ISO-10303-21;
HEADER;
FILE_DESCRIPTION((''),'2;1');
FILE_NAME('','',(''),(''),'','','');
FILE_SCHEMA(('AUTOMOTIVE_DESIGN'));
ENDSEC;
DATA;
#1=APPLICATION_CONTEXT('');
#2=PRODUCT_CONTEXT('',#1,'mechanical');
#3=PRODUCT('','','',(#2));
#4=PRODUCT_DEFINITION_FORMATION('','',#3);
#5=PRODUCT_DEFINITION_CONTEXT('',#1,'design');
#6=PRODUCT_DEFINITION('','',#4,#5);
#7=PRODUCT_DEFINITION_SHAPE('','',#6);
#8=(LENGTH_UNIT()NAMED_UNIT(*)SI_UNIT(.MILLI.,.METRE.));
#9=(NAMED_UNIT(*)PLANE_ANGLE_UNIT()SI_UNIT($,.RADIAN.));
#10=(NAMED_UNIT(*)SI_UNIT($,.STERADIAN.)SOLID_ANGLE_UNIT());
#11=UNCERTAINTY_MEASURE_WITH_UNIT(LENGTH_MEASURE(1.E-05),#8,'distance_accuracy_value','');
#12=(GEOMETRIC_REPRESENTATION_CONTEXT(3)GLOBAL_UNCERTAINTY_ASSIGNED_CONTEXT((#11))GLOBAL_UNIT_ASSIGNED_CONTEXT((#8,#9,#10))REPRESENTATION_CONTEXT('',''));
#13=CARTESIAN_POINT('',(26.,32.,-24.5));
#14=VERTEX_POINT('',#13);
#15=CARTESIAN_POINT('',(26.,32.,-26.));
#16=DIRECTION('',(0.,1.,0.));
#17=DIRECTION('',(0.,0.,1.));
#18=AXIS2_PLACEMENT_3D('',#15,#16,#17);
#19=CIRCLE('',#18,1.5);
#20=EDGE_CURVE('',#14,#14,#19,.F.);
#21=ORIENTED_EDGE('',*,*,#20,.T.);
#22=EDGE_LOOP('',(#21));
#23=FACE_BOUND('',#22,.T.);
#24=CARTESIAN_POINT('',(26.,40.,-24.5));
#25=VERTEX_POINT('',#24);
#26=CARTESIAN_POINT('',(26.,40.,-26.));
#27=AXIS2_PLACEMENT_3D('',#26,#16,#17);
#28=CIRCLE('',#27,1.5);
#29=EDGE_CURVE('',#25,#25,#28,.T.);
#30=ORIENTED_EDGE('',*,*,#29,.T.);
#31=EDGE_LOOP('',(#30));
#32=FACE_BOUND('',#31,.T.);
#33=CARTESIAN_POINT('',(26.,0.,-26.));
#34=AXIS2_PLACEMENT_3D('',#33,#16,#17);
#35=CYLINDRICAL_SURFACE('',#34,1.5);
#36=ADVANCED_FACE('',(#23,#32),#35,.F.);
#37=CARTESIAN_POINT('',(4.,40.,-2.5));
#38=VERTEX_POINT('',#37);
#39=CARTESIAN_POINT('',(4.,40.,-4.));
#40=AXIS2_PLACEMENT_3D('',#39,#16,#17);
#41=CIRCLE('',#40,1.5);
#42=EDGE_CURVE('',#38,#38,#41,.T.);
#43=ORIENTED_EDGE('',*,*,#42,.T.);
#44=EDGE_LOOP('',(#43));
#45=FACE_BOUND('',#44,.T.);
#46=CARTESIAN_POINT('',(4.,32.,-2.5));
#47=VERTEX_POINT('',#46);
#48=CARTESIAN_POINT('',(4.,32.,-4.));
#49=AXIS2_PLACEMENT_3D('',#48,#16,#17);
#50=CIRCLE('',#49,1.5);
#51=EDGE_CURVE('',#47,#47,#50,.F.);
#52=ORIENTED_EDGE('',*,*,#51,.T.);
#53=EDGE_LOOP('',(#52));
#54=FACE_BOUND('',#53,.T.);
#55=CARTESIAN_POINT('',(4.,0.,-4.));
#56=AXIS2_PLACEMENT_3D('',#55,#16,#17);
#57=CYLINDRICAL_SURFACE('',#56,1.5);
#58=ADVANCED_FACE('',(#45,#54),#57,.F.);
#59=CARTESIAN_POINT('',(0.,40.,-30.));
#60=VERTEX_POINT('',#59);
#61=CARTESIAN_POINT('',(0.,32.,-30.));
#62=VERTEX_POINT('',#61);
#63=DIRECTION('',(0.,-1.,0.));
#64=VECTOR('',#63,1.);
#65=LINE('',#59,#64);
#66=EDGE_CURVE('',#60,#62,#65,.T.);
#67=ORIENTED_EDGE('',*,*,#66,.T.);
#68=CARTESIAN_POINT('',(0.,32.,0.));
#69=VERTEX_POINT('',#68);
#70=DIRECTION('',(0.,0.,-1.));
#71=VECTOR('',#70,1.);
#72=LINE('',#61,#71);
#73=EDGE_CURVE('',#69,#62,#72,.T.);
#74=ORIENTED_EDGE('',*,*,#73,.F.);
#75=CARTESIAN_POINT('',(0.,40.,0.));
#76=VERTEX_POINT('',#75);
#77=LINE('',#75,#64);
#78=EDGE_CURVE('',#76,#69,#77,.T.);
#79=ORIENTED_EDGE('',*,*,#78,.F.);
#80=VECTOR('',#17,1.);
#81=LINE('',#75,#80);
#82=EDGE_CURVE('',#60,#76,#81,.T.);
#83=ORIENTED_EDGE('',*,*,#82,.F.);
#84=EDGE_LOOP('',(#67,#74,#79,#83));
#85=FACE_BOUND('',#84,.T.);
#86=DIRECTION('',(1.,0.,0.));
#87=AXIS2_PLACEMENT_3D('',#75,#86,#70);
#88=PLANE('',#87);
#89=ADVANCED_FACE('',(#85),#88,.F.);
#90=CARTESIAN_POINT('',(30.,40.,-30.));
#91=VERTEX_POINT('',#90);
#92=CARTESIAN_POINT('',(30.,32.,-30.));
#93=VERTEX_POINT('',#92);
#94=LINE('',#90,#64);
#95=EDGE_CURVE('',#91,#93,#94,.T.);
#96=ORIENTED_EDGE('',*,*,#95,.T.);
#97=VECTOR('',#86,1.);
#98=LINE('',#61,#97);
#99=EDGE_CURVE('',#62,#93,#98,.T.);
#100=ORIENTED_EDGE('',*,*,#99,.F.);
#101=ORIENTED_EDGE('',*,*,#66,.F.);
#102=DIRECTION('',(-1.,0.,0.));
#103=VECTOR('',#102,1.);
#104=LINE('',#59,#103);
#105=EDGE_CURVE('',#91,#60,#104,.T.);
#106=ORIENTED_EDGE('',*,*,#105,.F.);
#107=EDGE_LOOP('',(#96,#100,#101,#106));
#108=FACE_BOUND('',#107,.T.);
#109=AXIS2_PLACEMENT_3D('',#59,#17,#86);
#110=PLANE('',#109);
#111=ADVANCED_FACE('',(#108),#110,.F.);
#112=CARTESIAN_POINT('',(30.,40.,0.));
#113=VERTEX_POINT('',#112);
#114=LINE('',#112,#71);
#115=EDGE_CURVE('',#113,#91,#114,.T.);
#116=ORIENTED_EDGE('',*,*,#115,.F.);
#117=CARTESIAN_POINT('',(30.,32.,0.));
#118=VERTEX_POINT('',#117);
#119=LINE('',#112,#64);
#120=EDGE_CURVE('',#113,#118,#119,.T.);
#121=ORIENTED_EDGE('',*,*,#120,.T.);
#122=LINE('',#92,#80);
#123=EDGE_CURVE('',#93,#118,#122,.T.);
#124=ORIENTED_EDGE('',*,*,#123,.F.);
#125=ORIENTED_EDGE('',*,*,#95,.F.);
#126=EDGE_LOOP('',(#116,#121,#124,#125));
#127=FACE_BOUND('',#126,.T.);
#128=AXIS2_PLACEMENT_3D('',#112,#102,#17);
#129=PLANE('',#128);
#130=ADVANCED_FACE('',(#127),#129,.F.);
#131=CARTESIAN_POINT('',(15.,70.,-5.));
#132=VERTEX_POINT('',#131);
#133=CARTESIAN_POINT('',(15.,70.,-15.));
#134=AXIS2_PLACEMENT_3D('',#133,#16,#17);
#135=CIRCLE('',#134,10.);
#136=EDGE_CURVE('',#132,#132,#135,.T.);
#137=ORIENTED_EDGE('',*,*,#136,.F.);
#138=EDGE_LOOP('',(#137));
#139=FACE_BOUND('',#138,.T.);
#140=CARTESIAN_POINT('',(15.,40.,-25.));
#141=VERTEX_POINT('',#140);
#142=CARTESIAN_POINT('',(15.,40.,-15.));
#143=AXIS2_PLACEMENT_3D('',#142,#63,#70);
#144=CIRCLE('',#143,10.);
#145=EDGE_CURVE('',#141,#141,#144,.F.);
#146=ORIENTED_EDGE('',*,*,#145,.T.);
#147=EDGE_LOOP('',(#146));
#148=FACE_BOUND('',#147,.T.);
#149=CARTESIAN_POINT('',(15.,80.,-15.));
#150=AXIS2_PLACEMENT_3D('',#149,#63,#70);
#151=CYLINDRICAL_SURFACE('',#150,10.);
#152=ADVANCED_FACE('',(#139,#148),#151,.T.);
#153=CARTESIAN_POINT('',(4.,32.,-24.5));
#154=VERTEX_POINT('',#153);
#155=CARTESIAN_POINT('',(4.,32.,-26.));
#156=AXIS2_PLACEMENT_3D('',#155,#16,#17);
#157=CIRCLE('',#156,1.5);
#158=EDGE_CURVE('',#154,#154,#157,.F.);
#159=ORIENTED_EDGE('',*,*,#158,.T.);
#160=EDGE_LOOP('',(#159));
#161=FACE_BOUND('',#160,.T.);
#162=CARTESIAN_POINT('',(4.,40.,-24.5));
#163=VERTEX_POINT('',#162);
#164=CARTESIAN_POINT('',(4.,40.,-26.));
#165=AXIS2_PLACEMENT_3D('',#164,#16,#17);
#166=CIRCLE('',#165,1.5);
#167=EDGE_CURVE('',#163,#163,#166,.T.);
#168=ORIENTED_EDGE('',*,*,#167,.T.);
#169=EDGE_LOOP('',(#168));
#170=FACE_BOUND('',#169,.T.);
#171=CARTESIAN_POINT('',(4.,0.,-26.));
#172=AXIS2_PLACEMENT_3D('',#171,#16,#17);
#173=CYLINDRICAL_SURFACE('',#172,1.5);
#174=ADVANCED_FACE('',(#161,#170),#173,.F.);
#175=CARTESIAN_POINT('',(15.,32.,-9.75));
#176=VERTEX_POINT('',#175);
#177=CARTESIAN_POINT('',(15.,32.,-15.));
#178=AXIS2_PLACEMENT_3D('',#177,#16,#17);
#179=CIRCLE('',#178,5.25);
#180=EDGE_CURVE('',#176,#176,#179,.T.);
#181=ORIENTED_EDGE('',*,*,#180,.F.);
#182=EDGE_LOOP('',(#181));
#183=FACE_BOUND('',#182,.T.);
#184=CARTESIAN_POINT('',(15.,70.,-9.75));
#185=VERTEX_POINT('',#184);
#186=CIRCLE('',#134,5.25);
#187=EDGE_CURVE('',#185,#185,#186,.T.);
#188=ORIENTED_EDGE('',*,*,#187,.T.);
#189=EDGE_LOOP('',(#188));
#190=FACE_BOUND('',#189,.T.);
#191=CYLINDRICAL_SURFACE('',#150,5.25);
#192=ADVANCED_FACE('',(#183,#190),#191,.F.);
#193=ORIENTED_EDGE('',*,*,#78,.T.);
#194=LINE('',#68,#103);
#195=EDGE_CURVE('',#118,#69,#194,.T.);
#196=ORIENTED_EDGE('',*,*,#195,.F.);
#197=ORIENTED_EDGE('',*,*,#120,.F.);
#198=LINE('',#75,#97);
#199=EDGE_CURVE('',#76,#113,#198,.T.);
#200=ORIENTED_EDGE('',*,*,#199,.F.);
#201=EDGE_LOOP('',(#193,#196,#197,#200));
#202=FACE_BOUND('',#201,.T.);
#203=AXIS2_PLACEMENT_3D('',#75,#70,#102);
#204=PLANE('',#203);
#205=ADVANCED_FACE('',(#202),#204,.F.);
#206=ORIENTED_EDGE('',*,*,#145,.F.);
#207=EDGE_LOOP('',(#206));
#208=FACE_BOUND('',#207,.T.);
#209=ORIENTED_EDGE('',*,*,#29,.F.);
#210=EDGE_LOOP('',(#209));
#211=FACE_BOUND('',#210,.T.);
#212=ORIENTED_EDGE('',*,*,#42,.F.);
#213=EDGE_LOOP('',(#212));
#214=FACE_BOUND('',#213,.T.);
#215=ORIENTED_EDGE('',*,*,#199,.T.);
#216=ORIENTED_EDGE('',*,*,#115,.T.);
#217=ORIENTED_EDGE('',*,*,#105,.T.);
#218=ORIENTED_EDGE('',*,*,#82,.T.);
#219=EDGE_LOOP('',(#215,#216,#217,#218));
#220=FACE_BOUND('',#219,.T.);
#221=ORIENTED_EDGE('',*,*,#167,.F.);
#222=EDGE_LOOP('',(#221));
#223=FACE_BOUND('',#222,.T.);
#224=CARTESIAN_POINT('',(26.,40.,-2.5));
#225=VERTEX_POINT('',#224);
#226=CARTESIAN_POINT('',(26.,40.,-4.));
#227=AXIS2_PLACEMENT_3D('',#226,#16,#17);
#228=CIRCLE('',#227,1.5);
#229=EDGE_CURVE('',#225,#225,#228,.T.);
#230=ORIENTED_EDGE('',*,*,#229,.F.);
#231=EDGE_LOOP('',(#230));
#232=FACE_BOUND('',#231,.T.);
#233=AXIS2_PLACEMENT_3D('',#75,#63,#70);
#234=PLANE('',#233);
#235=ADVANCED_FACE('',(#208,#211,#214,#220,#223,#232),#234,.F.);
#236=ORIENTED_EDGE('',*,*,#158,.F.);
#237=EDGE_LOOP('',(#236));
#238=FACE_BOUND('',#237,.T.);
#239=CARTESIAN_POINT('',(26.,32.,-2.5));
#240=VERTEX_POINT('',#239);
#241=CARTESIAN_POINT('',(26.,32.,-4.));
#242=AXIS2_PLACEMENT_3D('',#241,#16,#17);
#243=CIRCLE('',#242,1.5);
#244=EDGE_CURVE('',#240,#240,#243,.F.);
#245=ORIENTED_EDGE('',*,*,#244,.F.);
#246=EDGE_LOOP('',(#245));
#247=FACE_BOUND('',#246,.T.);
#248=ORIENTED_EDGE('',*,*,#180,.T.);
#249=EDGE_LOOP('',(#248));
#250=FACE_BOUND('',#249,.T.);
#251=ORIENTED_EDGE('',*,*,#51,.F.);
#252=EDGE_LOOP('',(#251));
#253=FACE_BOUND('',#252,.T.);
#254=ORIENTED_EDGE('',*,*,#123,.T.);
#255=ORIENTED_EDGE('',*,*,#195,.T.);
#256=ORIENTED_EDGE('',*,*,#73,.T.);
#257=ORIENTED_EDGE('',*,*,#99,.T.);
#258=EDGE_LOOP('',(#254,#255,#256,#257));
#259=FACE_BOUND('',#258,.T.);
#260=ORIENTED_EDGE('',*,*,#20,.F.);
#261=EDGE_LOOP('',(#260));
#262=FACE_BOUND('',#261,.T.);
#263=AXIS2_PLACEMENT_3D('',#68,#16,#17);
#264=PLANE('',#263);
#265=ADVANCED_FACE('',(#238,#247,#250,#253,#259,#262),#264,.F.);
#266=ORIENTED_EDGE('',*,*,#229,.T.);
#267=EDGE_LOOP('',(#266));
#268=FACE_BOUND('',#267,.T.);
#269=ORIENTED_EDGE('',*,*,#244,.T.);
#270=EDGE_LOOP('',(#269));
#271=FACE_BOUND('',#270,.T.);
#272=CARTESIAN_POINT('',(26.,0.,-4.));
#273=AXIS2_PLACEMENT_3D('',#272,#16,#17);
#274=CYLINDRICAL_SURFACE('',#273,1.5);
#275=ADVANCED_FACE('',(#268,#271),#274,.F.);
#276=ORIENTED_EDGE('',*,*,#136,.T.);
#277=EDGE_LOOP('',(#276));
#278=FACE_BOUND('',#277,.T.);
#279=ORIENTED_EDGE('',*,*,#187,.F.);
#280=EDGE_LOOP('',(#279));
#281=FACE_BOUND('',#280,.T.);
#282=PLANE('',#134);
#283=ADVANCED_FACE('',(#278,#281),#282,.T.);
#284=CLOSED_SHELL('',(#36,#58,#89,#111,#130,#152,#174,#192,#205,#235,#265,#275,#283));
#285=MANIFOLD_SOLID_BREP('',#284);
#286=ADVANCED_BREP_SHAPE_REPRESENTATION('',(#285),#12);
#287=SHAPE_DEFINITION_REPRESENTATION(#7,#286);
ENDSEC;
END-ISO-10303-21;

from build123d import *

# Parameters (mm, degrees)
IZIM1_W                     = 30
IZIM1_H                     = 30
Y_KSEKLIK_EKSTR_ZYON1_DEPTH = 40
IZIM2_R                     = 1.5
KES_EKSTR_ZYON1_DEPTH       = 40
IZIM3_R                     = 10
IZIM3_R_2                   = 5.25
Y_KSEKLIK_EKSTR_ZYON2_DEPTH = 40
IZIM4_W                     = 30
IZIM4_H                     = 30
KES_EKSTR_ZYON2_DEPTH       = 32
KES_EKSTR_ZYON3_START       = -10
IZIM5_R                     = 10
KES_EKSTR_ZYON3_DEPTH       = 10
KES_EKSTR_ZYON4_START       = -30
IZIM6_R                     = 5.25
KES_EKSTR_ZYON4_DEPTH       = 30


with BuildPart() as part:
    # Çizim1 → Yükseklik-Ekstrüzyon1 (new body)
    with BuildSketch(Plane(origin=(0, 0, 0), x_dir=(1, 0, 0), z_dir=(0, 1, 0))):
        with Locations((15, 15)):
            Rectangle(IZIM1_W, IZIM1_H)
    extrude(amount=Y_KSEKLIK_EKSTR_ZYON1_DEPTH)

    # Çizim2 → Kes-Ekstrüzyon1 (cut)
    with BuildSketch(Plane(origin=(0, 40, 0), x_dir=(1, 0, 0), z_dir=(0, 1, 0))):
        with Locations(Location((4, 26, 0), (0, 0, 270))):
            Circle(IZIM2_R)
        with Locations(Location((26, 26, 0), (0, 0, 270))):
            Circle(IZIM2_R)
        with Locations(Location((26, 4, 0), (0, 0, 270))):
            Circle(IZIM2_R)
        with Locations(Location((4, 4, 0), (0, 0, 270))):
            Circle(IZIM2_R)
    extrude(amount=-KES_EKSTR_ZYON1_DEPTH, mode=Mode.SUBTRACT)

    # Çizim3 → Yükseklik-Ekstrüzyon2 (add)
    with BuildSketch(Plane(origin=(0, 40, 0), x_dir=(1, 0, 0), z_dir=(0, 1, 0))):
        with Locations(Location((15, 15, 0), (0, 0, 90))):
            Circle(IZIM3_R)
        with Locations(Location((15, 15, 0), (0, 0, 270))):
            Circle(IZIM3_R_2, mode=Mode.SUBTRACT)
    extrude(amount=Y_KSEKLIK_EKSTR_ZYON2_DEPTH)

    # Çizim4 → Kes-Ekstrüzyon2 (cut)
    with BuildSketch(Plane.XZ):
        with Locations((15, -15)):
            Rectangle(IZIM4_W, IZIM4_H)
    extrude(amount=-KES_EKSTR_ZYON2_DEPTH, mode=Mode.SUBTRACT)

    # Çizim5 → Kes-Ekstrüzyon3 (cut)
    with BuildSketch(Plane(origin=(0, 80, 0), x_dir=(1, 0, 0), z_dir=(0, 1, 0)).offset(KES_EKSTR_ZYON3_START)):
        with Locations(Location((15, 15, 0), (0, 0, 90))):
            Circle(IZIM5_R)
    extrude(amount=KES_EKSTR_ZYON3_DEPTH, mode=Mode.SUBTRACT)

    # Çizim6 → Kes-Ekstrüzyon4 (cut)
    with BuildSketch(Plane(origin=(0, 40, 0), x_dir=(1, 0, 0), z_dir=(0, 1, 0)).offset(KES_EKSTR_ZYON4_START)):
        with Locations(Location((15, 15, 0), (0, 0, 270))):
            Circle(IZIM6_R)
    extrude(amount=KES_EKSTR_ZYON4_DEPTH, mode=Mode.SUBTRACT)


solid = part.part
